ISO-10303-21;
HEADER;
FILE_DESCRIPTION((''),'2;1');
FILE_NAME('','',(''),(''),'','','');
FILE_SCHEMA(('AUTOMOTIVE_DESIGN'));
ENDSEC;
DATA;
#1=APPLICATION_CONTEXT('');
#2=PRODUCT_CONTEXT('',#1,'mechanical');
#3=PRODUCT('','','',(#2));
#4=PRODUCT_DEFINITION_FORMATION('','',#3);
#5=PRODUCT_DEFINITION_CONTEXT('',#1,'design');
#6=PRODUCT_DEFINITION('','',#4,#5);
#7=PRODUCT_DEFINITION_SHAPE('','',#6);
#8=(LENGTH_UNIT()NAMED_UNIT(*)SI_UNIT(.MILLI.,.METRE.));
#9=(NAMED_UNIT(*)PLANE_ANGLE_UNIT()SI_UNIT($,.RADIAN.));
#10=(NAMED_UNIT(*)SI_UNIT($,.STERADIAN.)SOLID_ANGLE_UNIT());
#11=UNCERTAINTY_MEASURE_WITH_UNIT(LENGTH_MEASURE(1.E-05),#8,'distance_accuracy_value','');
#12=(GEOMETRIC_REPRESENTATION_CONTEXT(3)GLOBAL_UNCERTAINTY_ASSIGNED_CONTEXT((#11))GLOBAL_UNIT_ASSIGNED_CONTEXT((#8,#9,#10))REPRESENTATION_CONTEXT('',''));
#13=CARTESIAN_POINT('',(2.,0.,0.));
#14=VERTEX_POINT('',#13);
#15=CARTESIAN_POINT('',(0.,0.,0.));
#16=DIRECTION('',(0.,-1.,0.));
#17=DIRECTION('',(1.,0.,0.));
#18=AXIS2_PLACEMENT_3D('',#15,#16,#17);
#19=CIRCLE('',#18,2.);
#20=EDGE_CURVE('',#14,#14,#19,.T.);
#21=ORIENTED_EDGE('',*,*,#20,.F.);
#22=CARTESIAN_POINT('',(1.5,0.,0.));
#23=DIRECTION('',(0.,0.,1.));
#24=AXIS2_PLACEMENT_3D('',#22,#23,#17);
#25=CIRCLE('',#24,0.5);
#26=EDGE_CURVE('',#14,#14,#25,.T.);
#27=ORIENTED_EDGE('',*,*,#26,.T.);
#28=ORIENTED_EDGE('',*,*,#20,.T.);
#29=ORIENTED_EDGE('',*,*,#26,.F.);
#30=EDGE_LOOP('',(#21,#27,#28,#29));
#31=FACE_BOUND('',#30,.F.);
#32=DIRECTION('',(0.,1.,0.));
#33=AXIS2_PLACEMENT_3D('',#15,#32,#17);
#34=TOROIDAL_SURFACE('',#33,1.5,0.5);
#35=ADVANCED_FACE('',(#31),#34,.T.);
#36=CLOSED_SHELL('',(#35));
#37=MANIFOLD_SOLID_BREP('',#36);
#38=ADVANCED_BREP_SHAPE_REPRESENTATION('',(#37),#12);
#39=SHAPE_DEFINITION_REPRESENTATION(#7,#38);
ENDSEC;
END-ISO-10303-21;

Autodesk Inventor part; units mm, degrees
ref_plane "YZ Plane" through (0, 0, 0) normal (1, 0, 0) x (0, 1, 0)
ref_plane "XZ Plane" through (0, 0, 0) normal (0, 1, 0) x (-1, 0, 0)
ref_plane "XY Plane" through (0, 0, 0) normal (0, 0, 1) x (1, 0, 0)
sketch "Sketch1" plane through (0, 0, 0) normal (0, 0, 1) x (1, 0, 0)
  line L0 (0, 1.1669) -> (0, 0) construction
  line L1 (0, 0) -> (1.5, 0) construction
  circle A0 centre (1.5, 0) radius 0.5
  line L2 (1, 0.4543) -> (1, -0.4265) construction
  dimension "d0" = 1
  dimension "d1" = 1
revolve "Revolution1" add sketch "Sketch1" angle 360 about axis through (0, 1.1669, 0) along (0, -1, 0)
properties part number "oring_4x2x1"
